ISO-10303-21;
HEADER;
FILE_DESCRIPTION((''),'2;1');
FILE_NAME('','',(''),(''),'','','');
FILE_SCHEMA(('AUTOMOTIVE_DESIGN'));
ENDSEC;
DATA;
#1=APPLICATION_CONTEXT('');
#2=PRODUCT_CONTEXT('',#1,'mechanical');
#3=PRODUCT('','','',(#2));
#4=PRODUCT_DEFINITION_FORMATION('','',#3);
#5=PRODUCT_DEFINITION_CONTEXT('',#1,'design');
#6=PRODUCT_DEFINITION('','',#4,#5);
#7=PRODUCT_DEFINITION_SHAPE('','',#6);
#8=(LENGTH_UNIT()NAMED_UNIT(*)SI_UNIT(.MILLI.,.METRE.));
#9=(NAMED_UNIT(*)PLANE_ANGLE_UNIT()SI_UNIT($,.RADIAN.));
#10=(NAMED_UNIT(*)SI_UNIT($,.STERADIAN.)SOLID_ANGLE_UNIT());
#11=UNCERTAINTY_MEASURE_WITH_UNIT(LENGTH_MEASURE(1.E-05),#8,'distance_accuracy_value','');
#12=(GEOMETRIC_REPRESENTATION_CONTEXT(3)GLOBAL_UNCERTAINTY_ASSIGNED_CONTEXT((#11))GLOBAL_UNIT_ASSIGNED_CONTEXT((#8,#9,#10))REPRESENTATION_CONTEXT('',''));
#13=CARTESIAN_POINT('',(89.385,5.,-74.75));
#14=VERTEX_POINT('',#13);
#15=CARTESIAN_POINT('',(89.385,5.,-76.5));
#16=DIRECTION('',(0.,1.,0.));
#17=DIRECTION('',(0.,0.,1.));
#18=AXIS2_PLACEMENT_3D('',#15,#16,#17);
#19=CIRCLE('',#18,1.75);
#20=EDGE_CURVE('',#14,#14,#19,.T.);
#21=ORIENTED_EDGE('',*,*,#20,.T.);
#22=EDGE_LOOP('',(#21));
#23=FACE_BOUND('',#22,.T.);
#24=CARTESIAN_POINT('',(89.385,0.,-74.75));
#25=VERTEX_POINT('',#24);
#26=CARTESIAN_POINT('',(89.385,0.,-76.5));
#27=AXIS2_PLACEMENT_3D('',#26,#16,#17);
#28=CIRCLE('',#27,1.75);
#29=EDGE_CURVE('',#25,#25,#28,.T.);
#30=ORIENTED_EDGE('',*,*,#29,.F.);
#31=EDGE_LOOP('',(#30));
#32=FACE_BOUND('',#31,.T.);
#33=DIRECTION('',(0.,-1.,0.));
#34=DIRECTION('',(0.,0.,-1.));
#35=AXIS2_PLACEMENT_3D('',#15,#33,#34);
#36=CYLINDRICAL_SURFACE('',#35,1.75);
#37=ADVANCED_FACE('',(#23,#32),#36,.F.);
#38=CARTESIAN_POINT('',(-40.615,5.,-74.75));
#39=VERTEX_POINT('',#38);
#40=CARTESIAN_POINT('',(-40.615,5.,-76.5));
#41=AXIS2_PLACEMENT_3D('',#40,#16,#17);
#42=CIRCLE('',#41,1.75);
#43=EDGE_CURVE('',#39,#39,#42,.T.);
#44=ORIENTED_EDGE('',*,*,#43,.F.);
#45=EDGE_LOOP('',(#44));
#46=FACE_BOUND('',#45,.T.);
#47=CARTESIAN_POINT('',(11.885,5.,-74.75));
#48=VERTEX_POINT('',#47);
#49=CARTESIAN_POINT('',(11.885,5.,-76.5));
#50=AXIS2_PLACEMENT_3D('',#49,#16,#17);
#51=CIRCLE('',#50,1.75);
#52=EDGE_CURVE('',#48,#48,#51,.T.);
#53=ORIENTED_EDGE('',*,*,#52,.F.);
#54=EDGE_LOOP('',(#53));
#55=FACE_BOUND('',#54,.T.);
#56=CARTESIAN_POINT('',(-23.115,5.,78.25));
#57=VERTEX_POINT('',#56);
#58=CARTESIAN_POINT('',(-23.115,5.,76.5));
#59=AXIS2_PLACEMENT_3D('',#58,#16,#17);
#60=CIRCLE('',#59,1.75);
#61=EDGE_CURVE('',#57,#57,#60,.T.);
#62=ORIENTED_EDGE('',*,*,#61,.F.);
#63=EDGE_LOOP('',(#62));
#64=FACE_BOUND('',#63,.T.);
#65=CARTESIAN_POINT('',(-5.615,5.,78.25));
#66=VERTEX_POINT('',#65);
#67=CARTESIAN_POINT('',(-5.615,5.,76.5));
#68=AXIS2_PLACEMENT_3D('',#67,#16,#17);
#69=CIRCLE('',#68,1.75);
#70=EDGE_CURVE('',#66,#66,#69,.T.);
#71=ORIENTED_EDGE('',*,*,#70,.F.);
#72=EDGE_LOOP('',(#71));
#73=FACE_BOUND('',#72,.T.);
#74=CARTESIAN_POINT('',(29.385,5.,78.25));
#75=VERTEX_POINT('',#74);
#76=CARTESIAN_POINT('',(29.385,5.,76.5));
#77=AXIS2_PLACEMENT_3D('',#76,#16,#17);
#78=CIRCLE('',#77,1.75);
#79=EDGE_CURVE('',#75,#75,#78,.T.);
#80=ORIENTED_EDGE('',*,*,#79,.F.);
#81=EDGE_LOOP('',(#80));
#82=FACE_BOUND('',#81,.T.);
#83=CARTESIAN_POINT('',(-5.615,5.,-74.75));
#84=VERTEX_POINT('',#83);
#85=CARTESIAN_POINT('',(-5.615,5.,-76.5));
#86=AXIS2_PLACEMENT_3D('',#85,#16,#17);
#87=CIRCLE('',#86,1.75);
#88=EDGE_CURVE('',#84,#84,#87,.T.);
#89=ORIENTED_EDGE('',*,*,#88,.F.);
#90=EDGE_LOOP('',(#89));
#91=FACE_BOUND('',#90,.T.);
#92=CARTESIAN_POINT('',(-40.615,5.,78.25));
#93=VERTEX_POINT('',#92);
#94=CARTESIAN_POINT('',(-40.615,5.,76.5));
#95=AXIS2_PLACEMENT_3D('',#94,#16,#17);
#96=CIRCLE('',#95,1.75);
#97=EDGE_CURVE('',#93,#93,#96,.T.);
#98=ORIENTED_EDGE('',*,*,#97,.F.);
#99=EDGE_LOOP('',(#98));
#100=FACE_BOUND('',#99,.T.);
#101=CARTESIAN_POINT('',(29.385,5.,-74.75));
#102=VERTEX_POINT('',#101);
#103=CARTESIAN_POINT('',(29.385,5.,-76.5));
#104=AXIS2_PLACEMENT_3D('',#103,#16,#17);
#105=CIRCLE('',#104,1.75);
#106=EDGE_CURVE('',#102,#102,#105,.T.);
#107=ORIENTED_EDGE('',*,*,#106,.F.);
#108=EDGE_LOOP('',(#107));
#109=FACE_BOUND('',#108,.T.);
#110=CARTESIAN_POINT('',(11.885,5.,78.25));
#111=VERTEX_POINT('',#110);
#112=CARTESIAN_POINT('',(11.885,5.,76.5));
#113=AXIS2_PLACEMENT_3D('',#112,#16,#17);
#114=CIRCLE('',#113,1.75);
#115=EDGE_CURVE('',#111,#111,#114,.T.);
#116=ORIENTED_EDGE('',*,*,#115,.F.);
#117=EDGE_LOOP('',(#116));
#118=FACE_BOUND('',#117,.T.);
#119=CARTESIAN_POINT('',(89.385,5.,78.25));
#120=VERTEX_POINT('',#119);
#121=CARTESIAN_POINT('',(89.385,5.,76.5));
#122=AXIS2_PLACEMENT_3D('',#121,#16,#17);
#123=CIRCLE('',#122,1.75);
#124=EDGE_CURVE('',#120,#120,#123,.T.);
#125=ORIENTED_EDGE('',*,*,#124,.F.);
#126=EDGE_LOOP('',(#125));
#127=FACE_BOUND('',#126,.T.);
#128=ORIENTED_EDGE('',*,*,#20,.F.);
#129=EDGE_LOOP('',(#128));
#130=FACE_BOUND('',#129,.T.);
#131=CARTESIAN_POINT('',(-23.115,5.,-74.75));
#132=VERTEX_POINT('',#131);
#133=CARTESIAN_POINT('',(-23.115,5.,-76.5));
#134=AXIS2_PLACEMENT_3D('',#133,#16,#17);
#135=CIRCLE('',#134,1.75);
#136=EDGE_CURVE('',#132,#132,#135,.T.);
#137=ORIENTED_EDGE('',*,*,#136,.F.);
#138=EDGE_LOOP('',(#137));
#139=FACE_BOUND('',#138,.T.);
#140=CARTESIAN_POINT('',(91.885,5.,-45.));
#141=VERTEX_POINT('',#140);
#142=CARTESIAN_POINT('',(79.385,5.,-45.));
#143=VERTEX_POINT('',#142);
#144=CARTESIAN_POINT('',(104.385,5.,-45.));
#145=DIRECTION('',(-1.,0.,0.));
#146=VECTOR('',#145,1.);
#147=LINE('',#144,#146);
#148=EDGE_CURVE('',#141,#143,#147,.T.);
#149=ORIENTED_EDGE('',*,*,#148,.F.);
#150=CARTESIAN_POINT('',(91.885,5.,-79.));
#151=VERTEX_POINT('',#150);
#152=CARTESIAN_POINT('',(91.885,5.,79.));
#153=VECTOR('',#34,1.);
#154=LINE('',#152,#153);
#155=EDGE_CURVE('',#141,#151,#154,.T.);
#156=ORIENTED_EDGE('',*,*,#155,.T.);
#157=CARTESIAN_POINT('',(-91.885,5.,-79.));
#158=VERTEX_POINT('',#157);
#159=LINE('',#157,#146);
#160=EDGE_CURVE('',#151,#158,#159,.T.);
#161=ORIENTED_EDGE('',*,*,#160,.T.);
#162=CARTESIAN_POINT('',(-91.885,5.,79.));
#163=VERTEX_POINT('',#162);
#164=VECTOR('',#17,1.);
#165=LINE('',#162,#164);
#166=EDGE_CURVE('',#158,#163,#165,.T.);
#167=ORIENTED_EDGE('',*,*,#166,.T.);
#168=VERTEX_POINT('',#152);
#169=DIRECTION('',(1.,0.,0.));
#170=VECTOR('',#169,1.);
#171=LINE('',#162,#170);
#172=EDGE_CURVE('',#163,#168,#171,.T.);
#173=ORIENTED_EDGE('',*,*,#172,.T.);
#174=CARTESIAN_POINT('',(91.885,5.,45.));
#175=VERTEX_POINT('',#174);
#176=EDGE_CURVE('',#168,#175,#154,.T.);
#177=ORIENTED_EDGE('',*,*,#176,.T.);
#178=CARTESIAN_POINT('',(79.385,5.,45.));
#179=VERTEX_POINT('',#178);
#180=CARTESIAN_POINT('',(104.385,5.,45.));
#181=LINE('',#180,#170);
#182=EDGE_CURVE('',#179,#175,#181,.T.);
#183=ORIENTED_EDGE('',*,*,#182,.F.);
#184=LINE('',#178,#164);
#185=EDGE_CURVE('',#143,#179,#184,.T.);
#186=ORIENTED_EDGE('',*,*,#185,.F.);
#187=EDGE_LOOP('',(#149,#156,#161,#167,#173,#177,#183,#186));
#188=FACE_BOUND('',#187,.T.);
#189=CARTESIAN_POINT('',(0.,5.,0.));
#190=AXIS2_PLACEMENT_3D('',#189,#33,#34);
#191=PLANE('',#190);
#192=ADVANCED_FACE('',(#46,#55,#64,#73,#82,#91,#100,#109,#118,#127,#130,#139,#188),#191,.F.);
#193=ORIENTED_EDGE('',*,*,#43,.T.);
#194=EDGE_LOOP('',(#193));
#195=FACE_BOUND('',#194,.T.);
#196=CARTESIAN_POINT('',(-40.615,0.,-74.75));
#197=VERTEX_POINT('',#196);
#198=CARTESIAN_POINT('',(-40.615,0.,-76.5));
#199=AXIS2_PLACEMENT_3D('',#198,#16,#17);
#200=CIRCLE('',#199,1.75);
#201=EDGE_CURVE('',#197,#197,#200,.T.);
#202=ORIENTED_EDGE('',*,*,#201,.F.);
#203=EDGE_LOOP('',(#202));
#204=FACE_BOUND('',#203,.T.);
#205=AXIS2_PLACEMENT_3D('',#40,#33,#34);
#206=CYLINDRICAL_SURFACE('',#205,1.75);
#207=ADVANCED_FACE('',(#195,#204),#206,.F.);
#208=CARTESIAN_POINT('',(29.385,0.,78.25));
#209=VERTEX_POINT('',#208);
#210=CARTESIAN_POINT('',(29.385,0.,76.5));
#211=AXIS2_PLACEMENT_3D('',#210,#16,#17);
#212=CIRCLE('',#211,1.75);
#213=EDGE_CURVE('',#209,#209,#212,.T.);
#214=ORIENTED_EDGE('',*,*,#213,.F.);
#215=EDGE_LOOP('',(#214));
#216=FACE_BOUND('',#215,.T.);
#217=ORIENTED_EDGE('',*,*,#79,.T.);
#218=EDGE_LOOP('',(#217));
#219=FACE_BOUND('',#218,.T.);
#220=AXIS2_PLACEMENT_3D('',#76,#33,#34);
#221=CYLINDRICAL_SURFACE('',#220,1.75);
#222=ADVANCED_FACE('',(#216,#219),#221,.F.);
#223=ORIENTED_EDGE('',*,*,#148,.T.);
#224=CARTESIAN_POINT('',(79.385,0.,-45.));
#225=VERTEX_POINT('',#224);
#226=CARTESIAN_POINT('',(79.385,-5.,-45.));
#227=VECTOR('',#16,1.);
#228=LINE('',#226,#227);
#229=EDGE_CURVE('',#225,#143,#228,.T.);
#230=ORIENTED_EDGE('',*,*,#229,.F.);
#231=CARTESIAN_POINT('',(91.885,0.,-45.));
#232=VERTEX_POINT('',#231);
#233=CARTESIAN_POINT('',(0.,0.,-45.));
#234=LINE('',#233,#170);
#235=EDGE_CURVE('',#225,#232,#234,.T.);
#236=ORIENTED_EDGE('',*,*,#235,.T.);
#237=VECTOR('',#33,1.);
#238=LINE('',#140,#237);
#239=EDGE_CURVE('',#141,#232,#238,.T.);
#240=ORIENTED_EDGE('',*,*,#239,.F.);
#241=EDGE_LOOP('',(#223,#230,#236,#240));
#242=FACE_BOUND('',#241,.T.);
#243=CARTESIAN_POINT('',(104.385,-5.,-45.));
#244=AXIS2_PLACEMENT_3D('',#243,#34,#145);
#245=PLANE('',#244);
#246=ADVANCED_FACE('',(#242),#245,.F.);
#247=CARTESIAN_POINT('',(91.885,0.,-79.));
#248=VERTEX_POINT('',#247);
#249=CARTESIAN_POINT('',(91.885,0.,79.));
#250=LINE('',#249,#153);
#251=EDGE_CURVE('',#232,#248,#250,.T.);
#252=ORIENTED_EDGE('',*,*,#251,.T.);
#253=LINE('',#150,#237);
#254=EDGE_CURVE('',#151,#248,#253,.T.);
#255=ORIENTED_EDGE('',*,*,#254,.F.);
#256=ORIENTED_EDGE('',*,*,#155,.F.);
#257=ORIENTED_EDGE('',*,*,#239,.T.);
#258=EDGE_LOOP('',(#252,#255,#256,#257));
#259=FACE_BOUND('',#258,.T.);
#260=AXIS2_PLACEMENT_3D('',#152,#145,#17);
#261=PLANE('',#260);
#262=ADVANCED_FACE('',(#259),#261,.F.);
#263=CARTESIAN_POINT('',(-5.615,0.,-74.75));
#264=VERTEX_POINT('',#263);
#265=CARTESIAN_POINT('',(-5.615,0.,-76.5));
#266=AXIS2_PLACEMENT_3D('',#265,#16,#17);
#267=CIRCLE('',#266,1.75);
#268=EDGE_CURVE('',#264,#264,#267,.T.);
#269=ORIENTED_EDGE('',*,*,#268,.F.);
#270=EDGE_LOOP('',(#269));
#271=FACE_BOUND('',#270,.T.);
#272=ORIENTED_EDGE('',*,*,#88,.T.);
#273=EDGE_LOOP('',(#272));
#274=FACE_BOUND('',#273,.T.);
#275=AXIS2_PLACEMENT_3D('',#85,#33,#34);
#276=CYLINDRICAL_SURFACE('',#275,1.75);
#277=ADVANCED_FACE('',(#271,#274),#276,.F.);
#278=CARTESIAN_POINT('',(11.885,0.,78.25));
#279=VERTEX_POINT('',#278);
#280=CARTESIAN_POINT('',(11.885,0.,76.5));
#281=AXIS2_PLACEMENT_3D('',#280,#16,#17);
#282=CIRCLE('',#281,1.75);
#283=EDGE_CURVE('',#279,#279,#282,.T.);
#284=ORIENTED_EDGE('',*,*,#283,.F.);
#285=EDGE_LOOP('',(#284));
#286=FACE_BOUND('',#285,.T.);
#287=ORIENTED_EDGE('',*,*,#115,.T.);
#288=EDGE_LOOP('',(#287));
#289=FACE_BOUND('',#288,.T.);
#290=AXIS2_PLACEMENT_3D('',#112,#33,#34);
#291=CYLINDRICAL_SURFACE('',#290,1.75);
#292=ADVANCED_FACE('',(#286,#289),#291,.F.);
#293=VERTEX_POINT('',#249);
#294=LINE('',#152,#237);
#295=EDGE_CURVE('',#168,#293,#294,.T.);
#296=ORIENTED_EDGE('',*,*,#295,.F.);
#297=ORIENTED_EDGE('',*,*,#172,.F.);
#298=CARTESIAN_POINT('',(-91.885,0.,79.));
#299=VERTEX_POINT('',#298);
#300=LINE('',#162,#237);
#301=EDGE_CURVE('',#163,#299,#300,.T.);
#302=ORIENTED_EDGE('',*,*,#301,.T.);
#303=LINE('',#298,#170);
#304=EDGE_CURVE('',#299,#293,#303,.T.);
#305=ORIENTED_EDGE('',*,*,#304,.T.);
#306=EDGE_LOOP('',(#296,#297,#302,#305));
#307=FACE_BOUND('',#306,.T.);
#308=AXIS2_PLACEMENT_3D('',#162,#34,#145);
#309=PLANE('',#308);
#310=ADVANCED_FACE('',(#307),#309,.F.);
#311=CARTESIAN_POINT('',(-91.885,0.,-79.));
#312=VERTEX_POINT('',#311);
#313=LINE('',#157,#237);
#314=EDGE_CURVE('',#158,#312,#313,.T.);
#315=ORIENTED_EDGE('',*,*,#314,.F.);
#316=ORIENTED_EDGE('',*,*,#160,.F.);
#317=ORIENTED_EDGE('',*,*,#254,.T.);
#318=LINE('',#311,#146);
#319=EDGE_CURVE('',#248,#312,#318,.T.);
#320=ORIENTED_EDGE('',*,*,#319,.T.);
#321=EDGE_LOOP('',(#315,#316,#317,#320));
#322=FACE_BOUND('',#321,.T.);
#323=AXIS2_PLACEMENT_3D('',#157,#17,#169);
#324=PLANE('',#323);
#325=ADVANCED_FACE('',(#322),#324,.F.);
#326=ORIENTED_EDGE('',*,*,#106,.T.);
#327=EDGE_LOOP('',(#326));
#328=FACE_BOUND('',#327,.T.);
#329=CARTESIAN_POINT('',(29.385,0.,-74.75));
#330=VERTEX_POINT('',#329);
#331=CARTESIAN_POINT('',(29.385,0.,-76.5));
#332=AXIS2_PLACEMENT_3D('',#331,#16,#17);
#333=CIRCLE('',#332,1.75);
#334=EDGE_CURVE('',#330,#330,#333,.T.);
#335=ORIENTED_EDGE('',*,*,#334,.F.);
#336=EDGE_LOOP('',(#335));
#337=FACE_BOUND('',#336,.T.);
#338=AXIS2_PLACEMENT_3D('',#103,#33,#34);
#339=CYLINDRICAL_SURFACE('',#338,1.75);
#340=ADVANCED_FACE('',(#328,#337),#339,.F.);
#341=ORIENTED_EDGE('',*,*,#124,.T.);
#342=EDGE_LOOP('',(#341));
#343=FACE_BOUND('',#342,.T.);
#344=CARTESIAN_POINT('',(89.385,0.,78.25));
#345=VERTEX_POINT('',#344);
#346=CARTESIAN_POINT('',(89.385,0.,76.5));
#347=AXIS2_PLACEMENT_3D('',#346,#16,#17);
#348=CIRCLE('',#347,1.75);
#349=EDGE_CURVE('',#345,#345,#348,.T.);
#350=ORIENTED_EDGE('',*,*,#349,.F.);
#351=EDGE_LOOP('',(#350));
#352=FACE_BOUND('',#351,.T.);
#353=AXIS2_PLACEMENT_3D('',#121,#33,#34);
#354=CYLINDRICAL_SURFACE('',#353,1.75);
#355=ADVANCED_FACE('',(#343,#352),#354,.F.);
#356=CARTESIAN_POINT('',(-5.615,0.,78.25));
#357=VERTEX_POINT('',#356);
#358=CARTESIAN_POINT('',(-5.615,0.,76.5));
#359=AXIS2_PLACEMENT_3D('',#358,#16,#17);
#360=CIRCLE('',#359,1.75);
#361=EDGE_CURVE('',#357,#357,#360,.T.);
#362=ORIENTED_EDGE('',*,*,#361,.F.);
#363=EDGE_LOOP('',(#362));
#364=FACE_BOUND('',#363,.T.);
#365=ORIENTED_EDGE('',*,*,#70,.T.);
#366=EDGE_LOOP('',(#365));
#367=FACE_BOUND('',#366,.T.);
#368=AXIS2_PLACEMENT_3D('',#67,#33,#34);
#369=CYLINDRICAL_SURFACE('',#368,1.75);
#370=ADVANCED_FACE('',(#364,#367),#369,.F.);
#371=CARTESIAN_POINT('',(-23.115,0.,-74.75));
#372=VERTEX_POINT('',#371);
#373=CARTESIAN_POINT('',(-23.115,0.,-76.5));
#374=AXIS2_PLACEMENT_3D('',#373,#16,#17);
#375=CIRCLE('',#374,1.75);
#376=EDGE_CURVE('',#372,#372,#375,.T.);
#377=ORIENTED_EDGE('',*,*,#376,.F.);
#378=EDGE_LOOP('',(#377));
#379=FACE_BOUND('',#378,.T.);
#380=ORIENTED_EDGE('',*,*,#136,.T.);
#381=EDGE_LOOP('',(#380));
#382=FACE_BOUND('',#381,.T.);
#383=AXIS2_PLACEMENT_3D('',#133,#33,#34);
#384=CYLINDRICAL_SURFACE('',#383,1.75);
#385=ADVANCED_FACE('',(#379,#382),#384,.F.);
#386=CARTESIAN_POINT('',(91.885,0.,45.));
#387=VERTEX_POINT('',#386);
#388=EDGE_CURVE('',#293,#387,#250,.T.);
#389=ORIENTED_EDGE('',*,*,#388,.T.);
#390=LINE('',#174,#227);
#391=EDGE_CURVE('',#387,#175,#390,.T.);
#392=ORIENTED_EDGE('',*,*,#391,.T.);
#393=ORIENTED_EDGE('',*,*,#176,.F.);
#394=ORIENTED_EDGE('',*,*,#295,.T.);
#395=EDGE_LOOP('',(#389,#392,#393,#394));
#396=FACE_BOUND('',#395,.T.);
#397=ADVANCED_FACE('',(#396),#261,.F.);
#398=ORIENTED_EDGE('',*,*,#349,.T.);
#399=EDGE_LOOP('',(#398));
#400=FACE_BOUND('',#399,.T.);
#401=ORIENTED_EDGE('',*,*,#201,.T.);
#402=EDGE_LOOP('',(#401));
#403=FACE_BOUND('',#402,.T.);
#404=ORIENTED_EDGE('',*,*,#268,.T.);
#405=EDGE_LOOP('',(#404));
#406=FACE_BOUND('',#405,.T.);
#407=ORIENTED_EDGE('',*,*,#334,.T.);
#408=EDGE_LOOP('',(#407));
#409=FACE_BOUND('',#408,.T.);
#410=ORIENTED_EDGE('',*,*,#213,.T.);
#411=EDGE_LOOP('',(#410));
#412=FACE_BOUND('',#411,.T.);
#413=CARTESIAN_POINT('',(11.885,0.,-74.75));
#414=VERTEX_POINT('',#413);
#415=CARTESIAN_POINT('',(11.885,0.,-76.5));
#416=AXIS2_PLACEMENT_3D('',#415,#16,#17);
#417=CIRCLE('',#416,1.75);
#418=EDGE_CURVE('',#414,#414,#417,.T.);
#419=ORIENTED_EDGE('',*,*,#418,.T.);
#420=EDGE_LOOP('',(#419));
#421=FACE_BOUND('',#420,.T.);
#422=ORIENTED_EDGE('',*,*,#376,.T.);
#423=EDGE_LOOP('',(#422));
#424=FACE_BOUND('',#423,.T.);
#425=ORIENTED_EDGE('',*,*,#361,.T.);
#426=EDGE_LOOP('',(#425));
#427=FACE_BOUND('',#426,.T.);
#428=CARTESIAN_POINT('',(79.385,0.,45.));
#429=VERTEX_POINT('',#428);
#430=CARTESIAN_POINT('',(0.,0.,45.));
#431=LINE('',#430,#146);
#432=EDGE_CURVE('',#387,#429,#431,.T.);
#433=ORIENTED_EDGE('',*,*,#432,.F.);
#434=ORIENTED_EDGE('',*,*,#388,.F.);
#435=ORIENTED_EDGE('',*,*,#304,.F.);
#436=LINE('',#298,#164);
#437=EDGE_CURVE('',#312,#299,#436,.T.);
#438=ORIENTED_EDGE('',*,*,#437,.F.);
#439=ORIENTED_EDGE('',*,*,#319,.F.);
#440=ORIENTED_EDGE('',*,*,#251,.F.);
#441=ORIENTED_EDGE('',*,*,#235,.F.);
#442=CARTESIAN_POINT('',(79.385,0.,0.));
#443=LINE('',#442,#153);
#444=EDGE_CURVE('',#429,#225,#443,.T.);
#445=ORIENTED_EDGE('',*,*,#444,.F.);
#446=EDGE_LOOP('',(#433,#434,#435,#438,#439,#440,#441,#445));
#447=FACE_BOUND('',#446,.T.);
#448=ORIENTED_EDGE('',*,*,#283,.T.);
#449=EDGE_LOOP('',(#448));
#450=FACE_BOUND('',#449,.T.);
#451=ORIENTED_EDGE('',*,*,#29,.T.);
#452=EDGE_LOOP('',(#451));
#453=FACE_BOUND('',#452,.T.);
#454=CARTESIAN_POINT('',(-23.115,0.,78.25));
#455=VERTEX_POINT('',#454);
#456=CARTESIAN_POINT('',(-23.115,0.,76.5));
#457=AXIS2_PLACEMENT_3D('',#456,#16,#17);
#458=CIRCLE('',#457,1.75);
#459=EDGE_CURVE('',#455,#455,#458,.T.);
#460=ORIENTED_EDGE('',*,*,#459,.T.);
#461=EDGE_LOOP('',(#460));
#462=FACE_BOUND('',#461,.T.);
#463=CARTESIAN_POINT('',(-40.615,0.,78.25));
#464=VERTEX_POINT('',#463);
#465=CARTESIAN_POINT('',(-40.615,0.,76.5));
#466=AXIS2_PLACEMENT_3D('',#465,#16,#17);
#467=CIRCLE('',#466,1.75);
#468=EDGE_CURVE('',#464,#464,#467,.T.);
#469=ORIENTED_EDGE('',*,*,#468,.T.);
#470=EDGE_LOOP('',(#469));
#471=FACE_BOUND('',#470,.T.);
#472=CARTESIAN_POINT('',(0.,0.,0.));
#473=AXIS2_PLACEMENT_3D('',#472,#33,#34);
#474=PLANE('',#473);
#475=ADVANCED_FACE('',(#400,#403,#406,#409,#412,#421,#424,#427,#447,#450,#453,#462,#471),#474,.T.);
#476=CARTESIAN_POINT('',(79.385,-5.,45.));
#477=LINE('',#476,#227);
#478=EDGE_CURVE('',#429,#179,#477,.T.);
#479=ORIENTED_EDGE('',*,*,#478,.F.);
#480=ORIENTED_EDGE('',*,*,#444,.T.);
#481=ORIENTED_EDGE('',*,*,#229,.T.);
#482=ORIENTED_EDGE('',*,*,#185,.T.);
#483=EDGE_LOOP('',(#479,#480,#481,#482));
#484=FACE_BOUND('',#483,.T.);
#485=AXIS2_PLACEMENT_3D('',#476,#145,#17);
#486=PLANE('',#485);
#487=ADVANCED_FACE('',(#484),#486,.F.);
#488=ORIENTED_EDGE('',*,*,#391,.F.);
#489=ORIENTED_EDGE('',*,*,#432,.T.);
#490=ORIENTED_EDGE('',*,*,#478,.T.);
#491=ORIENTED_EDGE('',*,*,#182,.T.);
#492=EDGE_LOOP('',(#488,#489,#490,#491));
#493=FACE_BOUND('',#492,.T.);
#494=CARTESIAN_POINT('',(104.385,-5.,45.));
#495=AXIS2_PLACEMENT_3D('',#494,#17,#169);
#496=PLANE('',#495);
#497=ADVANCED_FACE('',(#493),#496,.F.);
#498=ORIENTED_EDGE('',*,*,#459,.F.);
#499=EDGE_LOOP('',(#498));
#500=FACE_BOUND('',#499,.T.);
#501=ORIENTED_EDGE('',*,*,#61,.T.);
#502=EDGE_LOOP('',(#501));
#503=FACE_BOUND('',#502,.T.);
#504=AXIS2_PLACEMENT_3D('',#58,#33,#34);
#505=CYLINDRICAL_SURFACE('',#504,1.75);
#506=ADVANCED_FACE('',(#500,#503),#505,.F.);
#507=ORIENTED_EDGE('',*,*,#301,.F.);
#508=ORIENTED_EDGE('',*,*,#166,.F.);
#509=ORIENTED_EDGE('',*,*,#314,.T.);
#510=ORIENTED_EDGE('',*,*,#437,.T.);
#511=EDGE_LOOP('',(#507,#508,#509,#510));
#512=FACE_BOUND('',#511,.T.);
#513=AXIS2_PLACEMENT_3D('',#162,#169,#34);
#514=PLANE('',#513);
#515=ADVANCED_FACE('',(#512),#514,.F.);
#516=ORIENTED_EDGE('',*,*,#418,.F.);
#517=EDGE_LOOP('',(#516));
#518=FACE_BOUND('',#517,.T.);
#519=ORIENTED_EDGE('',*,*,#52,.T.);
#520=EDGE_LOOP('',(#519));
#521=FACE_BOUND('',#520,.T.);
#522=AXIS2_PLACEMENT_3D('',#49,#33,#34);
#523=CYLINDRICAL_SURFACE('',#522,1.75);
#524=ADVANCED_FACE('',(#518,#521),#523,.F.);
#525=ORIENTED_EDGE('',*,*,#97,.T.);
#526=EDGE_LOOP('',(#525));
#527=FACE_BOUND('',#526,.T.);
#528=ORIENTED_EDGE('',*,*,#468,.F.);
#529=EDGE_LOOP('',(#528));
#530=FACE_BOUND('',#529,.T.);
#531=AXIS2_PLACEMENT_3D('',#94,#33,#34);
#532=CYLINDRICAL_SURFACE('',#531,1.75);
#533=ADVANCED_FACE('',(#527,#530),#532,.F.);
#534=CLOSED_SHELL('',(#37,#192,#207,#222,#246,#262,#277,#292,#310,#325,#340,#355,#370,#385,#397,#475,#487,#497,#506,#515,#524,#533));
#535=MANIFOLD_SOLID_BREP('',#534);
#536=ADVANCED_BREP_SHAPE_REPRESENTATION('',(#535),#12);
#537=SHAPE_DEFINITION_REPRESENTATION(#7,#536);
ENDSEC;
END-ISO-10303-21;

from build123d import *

# Parameters (mm, degrees)
SKETCH1_W           = 183.77
SKETCH1_H           = 158
SKETCH1_R           = 1.75
BOSS_EXTRUDE1_DEPTH = 5
SKETCH2_W           = 25
SKETCH2_H           = 90
CUT_EXTRUDE1_DEPTH  = 10


with BuildPart() as part:
    # Sketch1 → Boss-Extrude1 (new body)
    with BuildSketch(Plane(origin=(0, 0, 0), x_dir=(1, 0, 0), z_dir=(0, 1, 0))):
        Rectangle(SKETCH1_W, SKETCH1_H)
        with Locations(Location((89.385, 76.5, 0), (0, 0, 270))):
            Circle(SKETCH1_R, mode=Mode.SUBTRACT)
        with Locations(Location((29.385, 76.5, 0), (0, 0, 270))):
            Circle(SKETCH1_R, mode=Mode.SUBTRACT)
        with Locations(Location((11.885, 76.5, 0), (0, 0, 270))):
            Circle(SKETCH1_R, mode=Mode.SUBTRACT)
        with Locations(Location((-5.615, 76.5, 0), (0, 0, 270))):
            Circle(SKETCH1_R, mode=Mode.SUBTRACT)
        with Locations(Location((-23.115, 76.5, 0), (0, 0, 270))):
            Circle(SKETCH1_R, mode=Mode.SUBTRACT)
        with Locations(Location((-40.615, 76.5, 0), (0, 0, 270))):
            Circle(SKETCH1_R, mode=Mode.SUBTRACT)
        with Locations(Location((89.385, -76.5, 0), (0, 0, 270))):
            Circle(SKETCH1_R, mode=Mode.SUBTRACT)
        with Locations(Location((29.385, -76.5, 0), (0, 0, 270))):
            Circle(SKETCH1_R, mode=Mode.SUBTRACT)
        with Locations(Location((11.885, -76.5, 0), (0, 0, 270))):
            Circle(SKETCH1_R, mode=Mode.SUBTRACT)
        with Locations(Location((-5.615, -76.5, 0), (0, 0, 270))):
            Circle(SKETCH1_R, mode=Mode.SUBTRACT)
        with Locations(Location((-23.115, -76.5, 0), (0, 0, 270))):
            Circle(SKETCH1_R, mode=Mode.SUBTRACT)
        with Locations(Location((-40.615, -76.5, 0), (0, 0, 270))):
            Circle(SKETCH1_R, mode=Mode.SUBTRACT)
    extrude(amount=BOSS_EXTRUDE1_DEPTH)

    # Sketch2 → Cut-Extrude1 (cut)
    with BuildSketch(Plane(origin=(0, 5, 0), x_dir=(1, 0, 0), z_dir=(0, 1, 0))):
        with Locations((91.885, 0)):
            Rectangle(SKETCH2_W, SKETCH2_H)
    extrude(amount=-CUT_EXTRUDE1_DEPTH, mode=Mode.SUBTRACT)


solid = part.part
